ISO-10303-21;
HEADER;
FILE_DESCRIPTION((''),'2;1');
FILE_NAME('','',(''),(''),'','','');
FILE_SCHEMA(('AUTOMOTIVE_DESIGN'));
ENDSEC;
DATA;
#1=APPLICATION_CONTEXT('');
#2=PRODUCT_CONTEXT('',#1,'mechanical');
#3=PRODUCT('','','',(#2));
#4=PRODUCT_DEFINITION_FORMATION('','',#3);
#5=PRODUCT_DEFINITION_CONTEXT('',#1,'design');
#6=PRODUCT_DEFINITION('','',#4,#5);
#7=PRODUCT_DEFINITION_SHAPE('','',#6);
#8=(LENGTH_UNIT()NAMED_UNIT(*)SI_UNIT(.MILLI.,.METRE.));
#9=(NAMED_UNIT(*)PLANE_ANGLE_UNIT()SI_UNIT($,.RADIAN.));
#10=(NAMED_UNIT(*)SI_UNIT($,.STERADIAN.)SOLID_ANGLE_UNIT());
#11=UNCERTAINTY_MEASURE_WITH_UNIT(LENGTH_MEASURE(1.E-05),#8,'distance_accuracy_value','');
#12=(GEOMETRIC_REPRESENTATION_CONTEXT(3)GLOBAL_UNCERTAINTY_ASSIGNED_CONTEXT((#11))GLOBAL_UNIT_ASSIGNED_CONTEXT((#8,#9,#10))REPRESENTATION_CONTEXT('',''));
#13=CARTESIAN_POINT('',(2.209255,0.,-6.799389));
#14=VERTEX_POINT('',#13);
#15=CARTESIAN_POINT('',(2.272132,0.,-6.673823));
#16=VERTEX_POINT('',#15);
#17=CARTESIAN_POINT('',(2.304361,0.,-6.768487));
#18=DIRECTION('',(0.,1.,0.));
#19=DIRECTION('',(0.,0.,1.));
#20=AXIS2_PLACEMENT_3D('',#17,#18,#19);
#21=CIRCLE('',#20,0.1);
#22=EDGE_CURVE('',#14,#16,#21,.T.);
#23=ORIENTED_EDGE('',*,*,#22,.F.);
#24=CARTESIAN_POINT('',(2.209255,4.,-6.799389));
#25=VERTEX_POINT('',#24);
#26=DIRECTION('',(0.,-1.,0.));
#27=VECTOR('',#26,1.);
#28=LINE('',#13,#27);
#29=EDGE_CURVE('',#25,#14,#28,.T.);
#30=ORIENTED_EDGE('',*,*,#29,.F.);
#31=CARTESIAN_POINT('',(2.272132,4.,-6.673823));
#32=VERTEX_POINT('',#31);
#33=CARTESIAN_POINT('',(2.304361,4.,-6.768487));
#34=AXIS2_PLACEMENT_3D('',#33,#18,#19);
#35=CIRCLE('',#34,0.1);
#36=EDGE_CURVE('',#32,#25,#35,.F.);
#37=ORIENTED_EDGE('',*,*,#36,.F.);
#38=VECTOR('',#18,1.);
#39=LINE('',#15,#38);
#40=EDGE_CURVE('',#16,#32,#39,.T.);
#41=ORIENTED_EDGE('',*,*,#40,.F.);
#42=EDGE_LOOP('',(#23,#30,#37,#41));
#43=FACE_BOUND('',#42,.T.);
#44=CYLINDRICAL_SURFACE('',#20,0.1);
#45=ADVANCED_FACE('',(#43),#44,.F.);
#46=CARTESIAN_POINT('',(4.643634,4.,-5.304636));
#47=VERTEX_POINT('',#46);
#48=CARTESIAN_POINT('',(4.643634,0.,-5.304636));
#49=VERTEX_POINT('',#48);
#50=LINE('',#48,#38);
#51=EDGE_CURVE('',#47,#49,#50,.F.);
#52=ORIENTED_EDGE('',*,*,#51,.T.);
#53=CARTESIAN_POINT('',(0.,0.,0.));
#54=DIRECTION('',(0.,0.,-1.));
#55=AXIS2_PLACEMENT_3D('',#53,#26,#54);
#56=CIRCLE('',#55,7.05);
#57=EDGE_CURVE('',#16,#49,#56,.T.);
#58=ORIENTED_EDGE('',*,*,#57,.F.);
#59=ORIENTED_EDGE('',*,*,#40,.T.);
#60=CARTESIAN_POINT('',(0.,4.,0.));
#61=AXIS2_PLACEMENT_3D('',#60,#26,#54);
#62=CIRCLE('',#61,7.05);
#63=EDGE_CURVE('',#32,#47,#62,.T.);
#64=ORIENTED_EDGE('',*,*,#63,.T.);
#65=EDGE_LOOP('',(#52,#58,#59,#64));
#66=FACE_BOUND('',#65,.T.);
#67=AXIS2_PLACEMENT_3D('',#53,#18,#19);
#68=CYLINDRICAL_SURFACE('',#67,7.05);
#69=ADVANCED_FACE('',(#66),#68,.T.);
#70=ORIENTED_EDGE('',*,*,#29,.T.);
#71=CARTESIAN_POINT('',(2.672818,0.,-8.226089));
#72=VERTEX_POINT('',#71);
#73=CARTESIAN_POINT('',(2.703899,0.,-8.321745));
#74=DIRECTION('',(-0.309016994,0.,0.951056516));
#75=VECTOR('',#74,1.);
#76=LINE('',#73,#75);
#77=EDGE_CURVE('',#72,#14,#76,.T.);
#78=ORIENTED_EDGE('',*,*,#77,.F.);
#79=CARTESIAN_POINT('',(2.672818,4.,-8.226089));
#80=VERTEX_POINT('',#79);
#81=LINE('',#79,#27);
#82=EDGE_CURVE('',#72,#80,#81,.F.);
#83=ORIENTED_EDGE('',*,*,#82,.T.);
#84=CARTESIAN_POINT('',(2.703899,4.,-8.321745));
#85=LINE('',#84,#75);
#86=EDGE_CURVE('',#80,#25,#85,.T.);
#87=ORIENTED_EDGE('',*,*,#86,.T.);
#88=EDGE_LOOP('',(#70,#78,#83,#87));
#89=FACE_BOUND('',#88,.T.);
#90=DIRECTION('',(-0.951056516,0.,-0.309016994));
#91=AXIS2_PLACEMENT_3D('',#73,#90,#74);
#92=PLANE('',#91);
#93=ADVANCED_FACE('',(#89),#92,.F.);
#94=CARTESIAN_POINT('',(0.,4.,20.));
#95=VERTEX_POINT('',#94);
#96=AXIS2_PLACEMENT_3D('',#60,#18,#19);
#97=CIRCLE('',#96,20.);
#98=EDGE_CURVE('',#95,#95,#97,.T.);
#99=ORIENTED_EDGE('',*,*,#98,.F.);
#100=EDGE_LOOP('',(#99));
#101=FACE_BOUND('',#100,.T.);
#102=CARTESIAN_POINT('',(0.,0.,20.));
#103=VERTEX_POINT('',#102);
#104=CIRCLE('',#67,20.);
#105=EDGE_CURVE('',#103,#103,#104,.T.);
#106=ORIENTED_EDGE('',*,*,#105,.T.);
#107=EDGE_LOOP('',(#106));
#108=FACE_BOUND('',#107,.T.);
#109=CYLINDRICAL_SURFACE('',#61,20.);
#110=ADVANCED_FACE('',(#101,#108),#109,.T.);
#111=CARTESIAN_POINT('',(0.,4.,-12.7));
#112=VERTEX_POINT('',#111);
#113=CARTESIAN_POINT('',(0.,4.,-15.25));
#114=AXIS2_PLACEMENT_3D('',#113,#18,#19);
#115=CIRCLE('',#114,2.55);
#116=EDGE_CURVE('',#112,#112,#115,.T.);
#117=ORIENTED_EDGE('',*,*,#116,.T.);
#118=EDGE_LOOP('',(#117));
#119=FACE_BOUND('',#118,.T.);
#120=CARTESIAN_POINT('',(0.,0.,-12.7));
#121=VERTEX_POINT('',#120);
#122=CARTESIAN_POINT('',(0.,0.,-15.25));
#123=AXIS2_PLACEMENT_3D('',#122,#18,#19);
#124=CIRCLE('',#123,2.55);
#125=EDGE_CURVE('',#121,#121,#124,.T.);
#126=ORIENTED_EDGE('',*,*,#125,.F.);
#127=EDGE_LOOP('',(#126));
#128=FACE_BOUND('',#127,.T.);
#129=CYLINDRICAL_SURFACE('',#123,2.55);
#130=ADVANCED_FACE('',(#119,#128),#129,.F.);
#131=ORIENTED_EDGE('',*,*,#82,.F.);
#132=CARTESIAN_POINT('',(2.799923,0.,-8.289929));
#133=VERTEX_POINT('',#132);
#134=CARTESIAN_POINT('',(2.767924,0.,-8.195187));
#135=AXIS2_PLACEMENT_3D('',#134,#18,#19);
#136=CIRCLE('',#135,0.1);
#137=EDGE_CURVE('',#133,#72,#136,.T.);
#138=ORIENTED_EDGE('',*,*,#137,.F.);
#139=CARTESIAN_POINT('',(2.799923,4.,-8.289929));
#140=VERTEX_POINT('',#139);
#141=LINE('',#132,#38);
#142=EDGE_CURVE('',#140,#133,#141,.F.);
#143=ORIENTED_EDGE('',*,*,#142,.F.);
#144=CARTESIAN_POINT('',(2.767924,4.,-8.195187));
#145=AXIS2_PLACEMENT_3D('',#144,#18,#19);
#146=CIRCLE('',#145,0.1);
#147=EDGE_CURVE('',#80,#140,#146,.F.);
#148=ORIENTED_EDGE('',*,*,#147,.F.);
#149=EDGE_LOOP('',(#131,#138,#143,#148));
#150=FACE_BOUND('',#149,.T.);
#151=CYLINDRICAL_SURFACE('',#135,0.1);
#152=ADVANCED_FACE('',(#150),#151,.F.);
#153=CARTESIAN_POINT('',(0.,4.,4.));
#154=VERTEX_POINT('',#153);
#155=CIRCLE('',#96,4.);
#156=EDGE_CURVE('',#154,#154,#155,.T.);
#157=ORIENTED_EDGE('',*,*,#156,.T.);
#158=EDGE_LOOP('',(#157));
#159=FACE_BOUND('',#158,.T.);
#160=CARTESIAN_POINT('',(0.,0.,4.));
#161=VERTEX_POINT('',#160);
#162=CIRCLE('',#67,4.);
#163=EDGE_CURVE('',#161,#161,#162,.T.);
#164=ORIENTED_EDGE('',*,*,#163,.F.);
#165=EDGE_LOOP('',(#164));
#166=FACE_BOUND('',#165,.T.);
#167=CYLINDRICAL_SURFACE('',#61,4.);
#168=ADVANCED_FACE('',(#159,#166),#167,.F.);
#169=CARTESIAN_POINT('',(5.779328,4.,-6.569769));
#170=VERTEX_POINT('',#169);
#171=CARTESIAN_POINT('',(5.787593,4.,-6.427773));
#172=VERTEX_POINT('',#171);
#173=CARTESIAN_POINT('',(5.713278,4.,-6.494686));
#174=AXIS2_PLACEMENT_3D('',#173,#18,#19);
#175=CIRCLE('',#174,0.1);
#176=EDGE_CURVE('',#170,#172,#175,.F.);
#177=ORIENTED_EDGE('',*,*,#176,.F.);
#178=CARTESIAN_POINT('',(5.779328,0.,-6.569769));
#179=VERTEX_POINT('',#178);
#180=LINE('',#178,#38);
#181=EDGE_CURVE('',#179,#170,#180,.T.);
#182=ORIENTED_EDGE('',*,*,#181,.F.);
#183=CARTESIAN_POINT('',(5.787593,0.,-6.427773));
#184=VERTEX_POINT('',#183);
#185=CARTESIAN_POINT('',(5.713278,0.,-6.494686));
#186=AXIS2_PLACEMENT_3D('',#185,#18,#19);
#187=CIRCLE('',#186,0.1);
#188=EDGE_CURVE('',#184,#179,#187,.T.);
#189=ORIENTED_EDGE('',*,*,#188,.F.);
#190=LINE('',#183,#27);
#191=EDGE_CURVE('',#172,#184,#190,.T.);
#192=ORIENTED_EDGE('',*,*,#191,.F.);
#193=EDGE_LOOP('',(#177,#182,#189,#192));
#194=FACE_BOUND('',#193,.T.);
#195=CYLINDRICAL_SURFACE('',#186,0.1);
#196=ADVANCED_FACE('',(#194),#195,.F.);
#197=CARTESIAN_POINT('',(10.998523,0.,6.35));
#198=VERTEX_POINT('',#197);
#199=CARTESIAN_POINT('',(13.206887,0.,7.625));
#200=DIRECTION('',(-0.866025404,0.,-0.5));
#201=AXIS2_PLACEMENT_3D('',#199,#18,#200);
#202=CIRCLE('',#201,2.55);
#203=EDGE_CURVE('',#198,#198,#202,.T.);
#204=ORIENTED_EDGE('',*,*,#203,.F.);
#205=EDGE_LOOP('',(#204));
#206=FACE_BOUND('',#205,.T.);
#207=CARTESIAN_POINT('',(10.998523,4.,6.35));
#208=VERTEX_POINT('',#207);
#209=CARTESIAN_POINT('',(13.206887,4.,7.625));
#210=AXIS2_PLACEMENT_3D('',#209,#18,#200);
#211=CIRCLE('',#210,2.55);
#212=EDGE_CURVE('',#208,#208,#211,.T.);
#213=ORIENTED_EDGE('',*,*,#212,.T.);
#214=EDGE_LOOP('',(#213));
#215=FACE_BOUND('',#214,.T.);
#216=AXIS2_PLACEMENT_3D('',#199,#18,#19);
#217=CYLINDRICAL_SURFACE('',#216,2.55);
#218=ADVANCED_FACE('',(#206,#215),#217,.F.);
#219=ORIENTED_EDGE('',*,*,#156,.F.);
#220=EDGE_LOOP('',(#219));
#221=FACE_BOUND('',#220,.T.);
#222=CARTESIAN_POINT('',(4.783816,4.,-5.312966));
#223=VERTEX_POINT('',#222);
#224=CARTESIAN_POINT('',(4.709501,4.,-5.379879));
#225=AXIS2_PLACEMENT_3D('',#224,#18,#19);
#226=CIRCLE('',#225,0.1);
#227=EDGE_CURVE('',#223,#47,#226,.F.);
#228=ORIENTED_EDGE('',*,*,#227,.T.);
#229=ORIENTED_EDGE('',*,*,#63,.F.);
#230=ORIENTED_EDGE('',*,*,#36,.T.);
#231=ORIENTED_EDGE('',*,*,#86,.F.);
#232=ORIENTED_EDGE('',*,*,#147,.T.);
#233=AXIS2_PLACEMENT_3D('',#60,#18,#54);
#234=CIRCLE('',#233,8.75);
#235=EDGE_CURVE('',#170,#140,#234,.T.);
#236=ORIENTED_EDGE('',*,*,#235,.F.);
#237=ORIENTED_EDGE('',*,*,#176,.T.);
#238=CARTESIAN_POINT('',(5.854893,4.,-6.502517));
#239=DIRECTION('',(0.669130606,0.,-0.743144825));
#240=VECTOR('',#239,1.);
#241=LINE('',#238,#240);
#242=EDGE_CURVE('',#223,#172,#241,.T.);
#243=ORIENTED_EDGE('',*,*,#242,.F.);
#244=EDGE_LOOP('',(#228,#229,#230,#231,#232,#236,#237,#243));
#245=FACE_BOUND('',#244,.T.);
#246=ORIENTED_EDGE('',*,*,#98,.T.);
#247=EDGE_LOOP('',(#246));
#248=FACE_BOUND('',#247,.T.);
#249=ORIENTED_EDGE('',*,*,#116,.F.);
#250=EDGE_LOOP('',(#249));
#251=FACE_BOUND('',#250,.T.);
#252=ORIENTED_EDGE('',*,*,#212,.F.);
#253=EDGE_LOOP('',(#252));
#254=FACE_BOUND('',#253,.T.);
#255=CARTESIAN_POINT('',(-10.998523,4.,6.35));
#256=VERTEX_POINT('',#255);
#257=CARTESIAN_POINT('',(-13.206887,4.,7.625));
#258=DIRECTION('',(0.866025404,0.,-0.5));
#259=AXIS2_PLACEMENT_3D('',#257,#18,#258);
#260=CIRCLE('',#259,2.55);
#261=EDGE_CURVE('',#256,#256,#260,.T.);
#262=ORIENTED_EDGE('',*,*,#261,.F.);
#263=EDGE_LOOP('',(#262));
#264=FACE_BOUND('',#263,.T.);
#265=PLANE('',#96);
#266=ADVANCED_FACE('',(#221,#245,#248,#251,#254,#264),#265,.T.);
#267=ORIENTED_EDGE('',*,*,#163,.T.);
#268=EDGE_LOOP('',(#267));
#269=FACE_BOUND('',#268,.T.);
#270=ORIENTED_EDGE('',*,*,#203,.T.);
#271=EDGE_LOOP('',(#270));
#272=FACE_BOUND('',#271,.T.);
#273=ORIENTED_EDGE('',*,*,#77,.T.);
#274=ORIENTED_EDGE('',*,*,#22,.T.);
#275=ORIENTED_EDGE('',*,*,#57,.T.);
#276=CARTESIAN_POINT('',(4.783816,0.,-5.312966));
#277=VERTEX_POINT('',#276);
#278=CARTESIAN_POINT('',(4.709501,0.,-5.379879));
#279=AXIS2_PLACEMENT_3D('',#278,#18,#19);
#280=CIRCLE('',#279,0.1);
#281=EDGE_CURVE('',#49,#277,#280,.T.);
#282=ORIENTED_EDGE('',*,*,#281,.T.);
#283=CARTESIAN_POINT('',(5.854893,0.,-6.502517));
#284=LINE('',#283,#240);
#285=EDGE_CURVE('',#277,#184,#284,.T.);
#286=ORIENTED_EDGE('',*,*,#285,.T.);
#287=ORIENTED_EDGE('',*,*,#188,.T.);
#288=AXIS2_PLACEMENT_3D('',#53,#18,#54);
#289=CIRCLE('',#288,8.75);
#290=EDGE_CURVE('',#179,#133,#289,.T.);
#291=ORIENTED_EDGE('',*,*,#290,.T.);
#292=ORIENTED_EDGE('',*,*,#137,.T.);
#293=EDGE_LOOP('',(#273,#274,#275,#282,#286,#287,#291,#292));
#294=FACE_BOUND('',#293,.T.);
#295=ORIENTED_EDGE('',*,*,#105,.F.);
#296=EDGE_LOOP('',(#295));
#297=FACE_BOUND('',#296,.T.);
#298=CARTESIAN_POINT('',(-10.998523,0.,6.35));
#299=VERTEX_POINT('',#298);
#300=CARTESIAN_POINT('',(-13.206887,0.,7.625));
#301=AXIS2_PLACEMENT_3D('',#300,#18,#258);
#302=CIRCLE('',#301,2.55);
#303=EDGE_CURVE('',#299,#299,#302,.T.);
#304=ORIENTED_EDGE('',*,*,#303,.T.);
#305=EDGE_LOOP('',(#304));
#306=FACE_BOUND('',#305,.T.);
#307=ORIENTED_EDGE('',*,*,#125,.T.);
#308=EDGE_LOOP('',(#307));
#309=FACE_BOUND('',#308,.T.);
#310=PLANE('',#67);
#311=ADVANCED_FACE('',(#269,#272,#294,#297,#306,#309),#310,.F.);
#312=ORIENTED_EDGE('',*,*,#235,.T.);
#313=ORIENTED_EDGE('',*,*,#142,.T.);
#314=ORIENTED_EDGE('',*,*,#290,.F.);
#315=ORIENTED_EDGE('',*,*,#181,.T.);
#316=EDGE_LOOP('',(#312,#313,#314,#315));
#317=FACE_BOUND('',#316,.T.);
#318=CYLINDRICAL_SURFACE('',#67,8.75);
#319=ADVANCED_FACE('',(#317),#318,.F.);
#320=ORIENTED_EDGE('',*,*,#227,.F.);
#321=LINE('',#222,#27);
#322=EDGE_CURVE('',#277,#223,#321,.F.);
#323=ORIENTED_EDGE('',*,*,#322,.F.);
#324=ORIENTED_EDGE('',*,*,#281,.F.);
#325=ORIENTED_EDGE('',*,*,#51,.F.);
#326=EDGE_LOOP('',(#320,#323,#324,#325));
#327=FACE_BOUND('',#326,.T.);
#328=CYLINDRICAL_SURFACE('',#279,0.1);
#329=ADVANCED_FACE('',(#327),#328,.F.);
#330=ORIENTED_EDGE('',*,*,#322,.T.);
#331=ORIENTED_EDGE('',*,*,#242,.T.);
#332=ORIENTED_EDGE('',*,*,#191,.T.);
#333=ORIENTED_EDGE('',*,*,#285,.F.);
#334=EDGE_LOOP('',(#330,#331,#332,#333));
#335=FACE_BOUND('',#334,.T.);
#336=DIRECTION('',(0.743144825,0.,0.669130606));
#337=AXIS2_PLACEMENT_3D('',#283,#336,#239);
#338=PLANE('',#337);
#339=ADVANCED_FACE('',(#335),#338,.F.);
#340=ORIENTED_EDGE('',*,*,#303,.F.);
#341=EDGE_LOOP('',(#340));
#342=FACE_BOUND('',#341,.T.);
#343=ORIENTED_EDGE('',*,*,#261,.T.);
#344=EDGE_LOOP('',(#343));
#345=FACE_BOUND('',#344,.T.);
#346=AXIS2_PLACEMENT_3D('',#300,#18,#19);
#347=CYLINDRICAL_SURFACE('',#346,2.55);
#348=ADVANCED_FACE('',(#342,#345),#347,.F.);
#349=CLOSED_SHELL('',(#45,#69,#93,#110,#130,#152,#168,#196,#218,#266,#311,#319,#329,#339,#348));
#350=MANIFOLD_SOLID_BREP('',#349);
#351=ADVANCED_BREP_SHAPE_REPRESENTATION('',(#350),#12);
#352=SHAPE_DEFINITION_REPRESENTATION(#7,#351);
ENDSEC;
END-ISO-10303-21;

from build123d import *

# Parameters (mm, degrees)
SKETCH1_R           = 20
SKETCH1_R_2         = 4
BOSS_EXTRUDE1_DEPTH = 4
SKETCH2_R           = 2.55
CUT_EXTRUDE2_DEPTH  = 5
CIRPATTERN1_COUNT   = 3
CUT_EXTRUDE3_DEPTH  = 5
FILLET1_R           = 0.1


with BuildPart() as part:
    # Sketch1 → Boss-Extrude1 (new body)
    with BuildSketch(Plane(origin=(0, 0, 0), x_dir=(1, 0, 0), z_dir=(0, 1, 0))):
        Circle(SKETCH1_R)
        Circle(SKETCH1_R_2, mode=Mode.SUBTRACT)
    extrude(amount=BOSS_EXTRUDE1_DEPTH)

    # Sketch2 → Cut-Extrude2 (cut, through all)
    with BuildSketch(Plane(origin=(0, 4, 0), x_dir=(1, 0, 0), z_dir=(0, 1, 0))):
        with Locations((0, 15.25)):
            Circle(SKETCH2_R)
    cut_extrude2 = extrude(amount=-CUT_EXTRUDE2_DEPTH, mode=Mode.SUBTRACT)

    # CirPattern1: Cut-Extrude2 ×3 about axis
    cirpattern1_axis = Axis((0, 0, 0), (0, 1, 0))
    for i in range(1, CIRPATTERN1_COUNT):
        add(cut_extrude2.rotate(cirpattern1_axis, i * 360 / CIRPATTERN1_COUNT), mode=Mode.SUBTRACT)

    # Sketch3 → Cut-Extrude3 (cut, through all)
    with BuildSketch(Plane(origin=(0, 4, 0), x_dir=(1, 0, 0), z_dir=(0, 1, 0))):
        with BuildLine():
            Line((2.703898701, 8.321744518), (2.17856981, 6.70494844))
            ThreePointArc((2.17856981, 6.70494844), (3.525, 6.105479097), (4.717370775, 5.23917102))
            Line((4.717370775, 5.23917102), (5.854892806, 6.502517223))
            ThreePointArc((5.854892806, 6.502517223), (4.375, 7.577722283), (2.703898701, 8.321744518))
        make_face()
    extrude(amount=-CUT_EXTRUDE3_DEPTH, mode=Mode.SUBTRACT)

    # Fillet1
    fillet1_edges = [part.edges().sort_by_distance(p)[0] for p in [
        (2.703898701, 2, -8.321744518),
        (5.854892806, 2, -6.502517223),
        (4.717370775, 2, -5.23917102),
        (2.17856981, 2, -6.70494844),
    ]]
    fillet(fillet1_edges, radius=FILLET1_R)


solid = part.part
